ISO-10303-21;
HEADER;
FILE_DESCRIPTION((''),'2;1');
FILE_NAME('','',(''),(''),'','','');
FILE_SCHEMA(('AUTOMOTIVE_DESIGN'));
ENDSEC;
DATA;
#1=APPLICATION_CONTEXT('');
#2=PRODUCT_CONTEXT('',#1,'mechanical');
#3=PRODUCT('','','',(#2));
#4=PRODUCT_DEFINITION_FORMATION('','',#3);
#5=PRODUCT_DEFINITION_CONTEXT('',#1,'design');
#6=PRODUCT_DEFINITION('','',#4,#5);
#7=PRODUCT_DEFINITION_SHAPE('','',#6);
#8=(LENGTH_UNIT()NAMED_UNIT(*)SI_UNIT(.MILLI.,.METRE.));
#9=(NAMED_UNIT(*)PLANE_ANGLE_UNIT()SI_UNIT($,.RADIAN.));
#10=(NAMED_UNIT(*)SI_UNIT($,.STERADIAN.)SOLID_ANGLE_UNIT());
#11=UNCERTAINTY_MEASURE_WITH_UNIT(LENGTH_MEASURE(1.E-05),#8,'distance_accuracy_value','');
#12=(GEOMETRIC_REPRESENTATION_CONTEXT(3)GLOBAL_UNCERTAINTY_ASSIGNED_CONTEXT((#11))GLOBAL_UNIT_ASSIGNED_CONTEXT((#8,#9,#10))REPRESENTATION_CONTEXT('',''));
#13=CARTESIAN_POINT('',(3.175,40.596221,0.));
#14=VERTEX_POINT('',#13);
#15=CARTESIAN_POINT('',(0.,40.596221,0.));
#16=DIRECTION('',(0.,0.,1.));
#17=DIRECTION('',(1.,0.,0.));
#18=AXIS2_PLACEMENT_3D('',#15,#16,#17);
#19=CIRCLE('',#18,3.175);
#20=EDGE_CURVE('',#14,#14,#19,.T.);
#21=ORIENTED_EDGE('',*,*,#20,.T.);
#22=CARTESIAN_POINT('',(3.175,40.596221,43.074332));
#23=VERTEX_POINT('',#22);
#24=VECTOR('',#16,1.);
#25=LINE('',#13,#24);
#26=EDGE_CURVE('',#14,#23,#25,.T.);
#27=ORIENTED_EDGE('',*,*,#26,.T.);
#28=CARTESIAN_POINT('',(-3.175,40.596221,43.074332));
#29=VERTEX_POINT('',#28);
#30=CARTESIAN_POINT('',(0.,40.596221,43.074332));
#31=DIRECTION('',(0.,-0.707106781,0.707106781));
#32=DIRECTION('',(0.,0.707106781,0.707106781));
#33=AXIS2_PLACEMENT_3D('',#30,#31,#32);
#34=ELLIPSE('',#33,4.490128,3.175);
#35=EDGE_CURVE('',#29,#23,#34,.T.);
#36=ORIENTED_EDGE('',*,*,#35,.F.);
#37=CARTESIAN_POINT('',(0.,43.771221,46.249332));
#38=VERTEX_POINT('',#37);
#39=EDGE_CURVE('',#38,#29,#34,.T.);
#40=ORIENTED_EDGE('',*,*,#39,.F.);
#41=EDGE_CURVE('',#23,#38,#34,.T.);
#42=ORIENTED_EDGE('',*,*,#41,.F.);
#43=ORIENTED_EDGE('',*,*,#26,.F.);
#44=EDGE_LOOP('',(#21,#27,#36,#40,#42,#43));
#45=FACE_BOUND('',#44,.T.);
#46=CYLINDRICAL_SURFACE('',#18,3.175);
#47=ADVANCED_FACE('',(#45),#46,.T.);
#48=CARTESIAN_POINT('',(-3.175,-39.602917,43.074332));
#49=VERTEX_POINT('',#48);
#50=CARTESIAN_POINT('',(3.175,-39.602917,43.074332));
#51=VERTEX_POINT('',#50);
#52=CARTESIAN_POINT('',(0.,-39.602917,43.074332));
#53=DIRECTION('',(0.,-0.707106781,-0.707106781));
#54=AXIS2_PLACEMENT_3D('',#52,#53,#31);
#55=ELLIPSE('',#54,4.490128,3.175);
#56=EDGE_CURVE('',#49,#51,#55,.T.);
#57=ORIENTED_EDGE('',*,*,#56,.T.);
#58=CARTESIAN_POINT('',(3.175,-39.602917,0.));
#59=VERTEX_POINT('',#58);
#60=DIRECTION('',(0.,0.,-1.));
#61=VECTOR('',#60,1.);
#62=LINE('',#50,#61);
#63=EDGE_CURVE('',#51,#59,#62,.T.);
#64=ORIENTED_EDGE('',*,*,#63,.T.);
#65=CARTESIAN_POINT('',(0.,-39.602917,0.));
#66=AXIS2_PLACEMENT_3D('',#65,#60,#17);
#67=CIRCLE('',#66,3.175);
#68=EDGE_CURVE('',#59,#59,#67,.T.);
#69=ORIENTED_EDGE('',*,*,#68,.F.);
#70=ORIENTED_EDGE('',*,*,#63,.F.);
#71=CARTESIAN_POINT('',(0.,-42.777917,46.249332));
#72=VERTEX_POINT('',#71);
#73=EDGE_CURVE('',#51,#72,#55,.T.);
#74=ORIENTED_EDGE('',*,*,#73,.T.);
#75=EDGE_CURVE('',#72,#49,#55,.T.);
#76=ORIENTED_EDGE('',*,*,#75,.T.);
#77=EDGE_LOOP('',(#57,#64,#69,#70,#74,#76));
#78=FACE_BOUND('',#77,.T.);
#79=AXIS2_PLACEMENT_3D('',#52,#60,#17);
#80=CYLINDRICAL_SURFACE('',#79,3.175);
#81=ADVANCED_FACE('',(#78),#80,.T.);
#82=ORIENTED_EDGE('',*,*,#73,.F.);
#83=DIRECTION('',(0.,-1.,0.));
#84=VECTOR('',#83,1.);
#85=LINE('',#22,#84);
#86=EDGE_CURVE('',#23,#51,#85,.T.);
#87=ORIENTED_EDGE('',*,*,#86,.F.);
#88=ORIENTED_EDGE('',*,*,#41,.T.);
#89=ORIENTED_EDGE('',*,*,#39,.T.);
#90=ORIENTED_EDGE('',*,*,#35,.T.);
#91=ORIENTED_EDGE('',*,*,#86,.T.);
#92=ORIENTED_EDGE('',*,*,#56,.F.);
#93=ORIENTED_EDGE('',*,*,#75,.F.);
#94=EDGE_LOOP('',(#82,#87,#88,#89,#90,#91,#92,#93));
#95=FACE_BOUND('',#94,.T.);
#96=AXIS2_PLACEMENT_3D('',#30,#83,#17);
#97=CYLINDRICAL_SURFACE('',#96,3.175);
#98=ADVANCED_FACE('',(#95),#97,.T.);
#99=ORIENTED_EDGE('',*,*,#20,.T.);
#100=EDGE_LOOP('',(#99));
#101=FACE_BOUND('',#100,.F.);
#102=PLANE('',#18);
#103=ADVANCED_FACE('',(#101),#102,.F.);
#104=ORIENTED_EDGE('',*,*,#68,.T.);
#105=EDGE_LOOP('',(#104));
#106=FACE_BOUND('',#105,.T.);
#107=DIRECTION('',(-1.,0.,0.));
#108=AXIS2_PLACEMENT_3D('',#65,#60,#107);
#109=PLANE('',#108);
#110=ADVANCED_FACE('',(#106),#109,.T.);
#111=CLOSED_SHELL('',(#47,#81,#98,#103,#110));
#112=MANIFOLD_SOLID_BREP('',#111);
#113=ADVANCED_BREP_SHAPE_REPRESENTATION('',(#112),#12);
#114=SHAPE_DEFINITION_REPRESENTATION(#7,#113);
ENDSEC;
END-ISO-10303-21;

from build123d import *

# Parameters (mm, degrees)
F1_R = 3.175


with BuildPart() as f2:
    # F2: sweep along a path in F0
    with BuildLine(Plane.YZ) as f2_path:
        Line((40.5962206423, 0), (40.5962206423, 43.0743321776))
        Line((40.5962206423, 43.0743321776), (-39.6029166877, 43.0743321776))
        Line((-39.6029166877, 43.0743321776), (-39.6029166877, 0))
    # F1 (on Top) → F2 (sweep)
    with BuildSketch(Plane.XY):
        with Locations((0, 40.5962206423)):
            Circle(F1_R)
    sweep(path=f2_path.line, transition=Transition.RIGHT)


solid = f2.part
